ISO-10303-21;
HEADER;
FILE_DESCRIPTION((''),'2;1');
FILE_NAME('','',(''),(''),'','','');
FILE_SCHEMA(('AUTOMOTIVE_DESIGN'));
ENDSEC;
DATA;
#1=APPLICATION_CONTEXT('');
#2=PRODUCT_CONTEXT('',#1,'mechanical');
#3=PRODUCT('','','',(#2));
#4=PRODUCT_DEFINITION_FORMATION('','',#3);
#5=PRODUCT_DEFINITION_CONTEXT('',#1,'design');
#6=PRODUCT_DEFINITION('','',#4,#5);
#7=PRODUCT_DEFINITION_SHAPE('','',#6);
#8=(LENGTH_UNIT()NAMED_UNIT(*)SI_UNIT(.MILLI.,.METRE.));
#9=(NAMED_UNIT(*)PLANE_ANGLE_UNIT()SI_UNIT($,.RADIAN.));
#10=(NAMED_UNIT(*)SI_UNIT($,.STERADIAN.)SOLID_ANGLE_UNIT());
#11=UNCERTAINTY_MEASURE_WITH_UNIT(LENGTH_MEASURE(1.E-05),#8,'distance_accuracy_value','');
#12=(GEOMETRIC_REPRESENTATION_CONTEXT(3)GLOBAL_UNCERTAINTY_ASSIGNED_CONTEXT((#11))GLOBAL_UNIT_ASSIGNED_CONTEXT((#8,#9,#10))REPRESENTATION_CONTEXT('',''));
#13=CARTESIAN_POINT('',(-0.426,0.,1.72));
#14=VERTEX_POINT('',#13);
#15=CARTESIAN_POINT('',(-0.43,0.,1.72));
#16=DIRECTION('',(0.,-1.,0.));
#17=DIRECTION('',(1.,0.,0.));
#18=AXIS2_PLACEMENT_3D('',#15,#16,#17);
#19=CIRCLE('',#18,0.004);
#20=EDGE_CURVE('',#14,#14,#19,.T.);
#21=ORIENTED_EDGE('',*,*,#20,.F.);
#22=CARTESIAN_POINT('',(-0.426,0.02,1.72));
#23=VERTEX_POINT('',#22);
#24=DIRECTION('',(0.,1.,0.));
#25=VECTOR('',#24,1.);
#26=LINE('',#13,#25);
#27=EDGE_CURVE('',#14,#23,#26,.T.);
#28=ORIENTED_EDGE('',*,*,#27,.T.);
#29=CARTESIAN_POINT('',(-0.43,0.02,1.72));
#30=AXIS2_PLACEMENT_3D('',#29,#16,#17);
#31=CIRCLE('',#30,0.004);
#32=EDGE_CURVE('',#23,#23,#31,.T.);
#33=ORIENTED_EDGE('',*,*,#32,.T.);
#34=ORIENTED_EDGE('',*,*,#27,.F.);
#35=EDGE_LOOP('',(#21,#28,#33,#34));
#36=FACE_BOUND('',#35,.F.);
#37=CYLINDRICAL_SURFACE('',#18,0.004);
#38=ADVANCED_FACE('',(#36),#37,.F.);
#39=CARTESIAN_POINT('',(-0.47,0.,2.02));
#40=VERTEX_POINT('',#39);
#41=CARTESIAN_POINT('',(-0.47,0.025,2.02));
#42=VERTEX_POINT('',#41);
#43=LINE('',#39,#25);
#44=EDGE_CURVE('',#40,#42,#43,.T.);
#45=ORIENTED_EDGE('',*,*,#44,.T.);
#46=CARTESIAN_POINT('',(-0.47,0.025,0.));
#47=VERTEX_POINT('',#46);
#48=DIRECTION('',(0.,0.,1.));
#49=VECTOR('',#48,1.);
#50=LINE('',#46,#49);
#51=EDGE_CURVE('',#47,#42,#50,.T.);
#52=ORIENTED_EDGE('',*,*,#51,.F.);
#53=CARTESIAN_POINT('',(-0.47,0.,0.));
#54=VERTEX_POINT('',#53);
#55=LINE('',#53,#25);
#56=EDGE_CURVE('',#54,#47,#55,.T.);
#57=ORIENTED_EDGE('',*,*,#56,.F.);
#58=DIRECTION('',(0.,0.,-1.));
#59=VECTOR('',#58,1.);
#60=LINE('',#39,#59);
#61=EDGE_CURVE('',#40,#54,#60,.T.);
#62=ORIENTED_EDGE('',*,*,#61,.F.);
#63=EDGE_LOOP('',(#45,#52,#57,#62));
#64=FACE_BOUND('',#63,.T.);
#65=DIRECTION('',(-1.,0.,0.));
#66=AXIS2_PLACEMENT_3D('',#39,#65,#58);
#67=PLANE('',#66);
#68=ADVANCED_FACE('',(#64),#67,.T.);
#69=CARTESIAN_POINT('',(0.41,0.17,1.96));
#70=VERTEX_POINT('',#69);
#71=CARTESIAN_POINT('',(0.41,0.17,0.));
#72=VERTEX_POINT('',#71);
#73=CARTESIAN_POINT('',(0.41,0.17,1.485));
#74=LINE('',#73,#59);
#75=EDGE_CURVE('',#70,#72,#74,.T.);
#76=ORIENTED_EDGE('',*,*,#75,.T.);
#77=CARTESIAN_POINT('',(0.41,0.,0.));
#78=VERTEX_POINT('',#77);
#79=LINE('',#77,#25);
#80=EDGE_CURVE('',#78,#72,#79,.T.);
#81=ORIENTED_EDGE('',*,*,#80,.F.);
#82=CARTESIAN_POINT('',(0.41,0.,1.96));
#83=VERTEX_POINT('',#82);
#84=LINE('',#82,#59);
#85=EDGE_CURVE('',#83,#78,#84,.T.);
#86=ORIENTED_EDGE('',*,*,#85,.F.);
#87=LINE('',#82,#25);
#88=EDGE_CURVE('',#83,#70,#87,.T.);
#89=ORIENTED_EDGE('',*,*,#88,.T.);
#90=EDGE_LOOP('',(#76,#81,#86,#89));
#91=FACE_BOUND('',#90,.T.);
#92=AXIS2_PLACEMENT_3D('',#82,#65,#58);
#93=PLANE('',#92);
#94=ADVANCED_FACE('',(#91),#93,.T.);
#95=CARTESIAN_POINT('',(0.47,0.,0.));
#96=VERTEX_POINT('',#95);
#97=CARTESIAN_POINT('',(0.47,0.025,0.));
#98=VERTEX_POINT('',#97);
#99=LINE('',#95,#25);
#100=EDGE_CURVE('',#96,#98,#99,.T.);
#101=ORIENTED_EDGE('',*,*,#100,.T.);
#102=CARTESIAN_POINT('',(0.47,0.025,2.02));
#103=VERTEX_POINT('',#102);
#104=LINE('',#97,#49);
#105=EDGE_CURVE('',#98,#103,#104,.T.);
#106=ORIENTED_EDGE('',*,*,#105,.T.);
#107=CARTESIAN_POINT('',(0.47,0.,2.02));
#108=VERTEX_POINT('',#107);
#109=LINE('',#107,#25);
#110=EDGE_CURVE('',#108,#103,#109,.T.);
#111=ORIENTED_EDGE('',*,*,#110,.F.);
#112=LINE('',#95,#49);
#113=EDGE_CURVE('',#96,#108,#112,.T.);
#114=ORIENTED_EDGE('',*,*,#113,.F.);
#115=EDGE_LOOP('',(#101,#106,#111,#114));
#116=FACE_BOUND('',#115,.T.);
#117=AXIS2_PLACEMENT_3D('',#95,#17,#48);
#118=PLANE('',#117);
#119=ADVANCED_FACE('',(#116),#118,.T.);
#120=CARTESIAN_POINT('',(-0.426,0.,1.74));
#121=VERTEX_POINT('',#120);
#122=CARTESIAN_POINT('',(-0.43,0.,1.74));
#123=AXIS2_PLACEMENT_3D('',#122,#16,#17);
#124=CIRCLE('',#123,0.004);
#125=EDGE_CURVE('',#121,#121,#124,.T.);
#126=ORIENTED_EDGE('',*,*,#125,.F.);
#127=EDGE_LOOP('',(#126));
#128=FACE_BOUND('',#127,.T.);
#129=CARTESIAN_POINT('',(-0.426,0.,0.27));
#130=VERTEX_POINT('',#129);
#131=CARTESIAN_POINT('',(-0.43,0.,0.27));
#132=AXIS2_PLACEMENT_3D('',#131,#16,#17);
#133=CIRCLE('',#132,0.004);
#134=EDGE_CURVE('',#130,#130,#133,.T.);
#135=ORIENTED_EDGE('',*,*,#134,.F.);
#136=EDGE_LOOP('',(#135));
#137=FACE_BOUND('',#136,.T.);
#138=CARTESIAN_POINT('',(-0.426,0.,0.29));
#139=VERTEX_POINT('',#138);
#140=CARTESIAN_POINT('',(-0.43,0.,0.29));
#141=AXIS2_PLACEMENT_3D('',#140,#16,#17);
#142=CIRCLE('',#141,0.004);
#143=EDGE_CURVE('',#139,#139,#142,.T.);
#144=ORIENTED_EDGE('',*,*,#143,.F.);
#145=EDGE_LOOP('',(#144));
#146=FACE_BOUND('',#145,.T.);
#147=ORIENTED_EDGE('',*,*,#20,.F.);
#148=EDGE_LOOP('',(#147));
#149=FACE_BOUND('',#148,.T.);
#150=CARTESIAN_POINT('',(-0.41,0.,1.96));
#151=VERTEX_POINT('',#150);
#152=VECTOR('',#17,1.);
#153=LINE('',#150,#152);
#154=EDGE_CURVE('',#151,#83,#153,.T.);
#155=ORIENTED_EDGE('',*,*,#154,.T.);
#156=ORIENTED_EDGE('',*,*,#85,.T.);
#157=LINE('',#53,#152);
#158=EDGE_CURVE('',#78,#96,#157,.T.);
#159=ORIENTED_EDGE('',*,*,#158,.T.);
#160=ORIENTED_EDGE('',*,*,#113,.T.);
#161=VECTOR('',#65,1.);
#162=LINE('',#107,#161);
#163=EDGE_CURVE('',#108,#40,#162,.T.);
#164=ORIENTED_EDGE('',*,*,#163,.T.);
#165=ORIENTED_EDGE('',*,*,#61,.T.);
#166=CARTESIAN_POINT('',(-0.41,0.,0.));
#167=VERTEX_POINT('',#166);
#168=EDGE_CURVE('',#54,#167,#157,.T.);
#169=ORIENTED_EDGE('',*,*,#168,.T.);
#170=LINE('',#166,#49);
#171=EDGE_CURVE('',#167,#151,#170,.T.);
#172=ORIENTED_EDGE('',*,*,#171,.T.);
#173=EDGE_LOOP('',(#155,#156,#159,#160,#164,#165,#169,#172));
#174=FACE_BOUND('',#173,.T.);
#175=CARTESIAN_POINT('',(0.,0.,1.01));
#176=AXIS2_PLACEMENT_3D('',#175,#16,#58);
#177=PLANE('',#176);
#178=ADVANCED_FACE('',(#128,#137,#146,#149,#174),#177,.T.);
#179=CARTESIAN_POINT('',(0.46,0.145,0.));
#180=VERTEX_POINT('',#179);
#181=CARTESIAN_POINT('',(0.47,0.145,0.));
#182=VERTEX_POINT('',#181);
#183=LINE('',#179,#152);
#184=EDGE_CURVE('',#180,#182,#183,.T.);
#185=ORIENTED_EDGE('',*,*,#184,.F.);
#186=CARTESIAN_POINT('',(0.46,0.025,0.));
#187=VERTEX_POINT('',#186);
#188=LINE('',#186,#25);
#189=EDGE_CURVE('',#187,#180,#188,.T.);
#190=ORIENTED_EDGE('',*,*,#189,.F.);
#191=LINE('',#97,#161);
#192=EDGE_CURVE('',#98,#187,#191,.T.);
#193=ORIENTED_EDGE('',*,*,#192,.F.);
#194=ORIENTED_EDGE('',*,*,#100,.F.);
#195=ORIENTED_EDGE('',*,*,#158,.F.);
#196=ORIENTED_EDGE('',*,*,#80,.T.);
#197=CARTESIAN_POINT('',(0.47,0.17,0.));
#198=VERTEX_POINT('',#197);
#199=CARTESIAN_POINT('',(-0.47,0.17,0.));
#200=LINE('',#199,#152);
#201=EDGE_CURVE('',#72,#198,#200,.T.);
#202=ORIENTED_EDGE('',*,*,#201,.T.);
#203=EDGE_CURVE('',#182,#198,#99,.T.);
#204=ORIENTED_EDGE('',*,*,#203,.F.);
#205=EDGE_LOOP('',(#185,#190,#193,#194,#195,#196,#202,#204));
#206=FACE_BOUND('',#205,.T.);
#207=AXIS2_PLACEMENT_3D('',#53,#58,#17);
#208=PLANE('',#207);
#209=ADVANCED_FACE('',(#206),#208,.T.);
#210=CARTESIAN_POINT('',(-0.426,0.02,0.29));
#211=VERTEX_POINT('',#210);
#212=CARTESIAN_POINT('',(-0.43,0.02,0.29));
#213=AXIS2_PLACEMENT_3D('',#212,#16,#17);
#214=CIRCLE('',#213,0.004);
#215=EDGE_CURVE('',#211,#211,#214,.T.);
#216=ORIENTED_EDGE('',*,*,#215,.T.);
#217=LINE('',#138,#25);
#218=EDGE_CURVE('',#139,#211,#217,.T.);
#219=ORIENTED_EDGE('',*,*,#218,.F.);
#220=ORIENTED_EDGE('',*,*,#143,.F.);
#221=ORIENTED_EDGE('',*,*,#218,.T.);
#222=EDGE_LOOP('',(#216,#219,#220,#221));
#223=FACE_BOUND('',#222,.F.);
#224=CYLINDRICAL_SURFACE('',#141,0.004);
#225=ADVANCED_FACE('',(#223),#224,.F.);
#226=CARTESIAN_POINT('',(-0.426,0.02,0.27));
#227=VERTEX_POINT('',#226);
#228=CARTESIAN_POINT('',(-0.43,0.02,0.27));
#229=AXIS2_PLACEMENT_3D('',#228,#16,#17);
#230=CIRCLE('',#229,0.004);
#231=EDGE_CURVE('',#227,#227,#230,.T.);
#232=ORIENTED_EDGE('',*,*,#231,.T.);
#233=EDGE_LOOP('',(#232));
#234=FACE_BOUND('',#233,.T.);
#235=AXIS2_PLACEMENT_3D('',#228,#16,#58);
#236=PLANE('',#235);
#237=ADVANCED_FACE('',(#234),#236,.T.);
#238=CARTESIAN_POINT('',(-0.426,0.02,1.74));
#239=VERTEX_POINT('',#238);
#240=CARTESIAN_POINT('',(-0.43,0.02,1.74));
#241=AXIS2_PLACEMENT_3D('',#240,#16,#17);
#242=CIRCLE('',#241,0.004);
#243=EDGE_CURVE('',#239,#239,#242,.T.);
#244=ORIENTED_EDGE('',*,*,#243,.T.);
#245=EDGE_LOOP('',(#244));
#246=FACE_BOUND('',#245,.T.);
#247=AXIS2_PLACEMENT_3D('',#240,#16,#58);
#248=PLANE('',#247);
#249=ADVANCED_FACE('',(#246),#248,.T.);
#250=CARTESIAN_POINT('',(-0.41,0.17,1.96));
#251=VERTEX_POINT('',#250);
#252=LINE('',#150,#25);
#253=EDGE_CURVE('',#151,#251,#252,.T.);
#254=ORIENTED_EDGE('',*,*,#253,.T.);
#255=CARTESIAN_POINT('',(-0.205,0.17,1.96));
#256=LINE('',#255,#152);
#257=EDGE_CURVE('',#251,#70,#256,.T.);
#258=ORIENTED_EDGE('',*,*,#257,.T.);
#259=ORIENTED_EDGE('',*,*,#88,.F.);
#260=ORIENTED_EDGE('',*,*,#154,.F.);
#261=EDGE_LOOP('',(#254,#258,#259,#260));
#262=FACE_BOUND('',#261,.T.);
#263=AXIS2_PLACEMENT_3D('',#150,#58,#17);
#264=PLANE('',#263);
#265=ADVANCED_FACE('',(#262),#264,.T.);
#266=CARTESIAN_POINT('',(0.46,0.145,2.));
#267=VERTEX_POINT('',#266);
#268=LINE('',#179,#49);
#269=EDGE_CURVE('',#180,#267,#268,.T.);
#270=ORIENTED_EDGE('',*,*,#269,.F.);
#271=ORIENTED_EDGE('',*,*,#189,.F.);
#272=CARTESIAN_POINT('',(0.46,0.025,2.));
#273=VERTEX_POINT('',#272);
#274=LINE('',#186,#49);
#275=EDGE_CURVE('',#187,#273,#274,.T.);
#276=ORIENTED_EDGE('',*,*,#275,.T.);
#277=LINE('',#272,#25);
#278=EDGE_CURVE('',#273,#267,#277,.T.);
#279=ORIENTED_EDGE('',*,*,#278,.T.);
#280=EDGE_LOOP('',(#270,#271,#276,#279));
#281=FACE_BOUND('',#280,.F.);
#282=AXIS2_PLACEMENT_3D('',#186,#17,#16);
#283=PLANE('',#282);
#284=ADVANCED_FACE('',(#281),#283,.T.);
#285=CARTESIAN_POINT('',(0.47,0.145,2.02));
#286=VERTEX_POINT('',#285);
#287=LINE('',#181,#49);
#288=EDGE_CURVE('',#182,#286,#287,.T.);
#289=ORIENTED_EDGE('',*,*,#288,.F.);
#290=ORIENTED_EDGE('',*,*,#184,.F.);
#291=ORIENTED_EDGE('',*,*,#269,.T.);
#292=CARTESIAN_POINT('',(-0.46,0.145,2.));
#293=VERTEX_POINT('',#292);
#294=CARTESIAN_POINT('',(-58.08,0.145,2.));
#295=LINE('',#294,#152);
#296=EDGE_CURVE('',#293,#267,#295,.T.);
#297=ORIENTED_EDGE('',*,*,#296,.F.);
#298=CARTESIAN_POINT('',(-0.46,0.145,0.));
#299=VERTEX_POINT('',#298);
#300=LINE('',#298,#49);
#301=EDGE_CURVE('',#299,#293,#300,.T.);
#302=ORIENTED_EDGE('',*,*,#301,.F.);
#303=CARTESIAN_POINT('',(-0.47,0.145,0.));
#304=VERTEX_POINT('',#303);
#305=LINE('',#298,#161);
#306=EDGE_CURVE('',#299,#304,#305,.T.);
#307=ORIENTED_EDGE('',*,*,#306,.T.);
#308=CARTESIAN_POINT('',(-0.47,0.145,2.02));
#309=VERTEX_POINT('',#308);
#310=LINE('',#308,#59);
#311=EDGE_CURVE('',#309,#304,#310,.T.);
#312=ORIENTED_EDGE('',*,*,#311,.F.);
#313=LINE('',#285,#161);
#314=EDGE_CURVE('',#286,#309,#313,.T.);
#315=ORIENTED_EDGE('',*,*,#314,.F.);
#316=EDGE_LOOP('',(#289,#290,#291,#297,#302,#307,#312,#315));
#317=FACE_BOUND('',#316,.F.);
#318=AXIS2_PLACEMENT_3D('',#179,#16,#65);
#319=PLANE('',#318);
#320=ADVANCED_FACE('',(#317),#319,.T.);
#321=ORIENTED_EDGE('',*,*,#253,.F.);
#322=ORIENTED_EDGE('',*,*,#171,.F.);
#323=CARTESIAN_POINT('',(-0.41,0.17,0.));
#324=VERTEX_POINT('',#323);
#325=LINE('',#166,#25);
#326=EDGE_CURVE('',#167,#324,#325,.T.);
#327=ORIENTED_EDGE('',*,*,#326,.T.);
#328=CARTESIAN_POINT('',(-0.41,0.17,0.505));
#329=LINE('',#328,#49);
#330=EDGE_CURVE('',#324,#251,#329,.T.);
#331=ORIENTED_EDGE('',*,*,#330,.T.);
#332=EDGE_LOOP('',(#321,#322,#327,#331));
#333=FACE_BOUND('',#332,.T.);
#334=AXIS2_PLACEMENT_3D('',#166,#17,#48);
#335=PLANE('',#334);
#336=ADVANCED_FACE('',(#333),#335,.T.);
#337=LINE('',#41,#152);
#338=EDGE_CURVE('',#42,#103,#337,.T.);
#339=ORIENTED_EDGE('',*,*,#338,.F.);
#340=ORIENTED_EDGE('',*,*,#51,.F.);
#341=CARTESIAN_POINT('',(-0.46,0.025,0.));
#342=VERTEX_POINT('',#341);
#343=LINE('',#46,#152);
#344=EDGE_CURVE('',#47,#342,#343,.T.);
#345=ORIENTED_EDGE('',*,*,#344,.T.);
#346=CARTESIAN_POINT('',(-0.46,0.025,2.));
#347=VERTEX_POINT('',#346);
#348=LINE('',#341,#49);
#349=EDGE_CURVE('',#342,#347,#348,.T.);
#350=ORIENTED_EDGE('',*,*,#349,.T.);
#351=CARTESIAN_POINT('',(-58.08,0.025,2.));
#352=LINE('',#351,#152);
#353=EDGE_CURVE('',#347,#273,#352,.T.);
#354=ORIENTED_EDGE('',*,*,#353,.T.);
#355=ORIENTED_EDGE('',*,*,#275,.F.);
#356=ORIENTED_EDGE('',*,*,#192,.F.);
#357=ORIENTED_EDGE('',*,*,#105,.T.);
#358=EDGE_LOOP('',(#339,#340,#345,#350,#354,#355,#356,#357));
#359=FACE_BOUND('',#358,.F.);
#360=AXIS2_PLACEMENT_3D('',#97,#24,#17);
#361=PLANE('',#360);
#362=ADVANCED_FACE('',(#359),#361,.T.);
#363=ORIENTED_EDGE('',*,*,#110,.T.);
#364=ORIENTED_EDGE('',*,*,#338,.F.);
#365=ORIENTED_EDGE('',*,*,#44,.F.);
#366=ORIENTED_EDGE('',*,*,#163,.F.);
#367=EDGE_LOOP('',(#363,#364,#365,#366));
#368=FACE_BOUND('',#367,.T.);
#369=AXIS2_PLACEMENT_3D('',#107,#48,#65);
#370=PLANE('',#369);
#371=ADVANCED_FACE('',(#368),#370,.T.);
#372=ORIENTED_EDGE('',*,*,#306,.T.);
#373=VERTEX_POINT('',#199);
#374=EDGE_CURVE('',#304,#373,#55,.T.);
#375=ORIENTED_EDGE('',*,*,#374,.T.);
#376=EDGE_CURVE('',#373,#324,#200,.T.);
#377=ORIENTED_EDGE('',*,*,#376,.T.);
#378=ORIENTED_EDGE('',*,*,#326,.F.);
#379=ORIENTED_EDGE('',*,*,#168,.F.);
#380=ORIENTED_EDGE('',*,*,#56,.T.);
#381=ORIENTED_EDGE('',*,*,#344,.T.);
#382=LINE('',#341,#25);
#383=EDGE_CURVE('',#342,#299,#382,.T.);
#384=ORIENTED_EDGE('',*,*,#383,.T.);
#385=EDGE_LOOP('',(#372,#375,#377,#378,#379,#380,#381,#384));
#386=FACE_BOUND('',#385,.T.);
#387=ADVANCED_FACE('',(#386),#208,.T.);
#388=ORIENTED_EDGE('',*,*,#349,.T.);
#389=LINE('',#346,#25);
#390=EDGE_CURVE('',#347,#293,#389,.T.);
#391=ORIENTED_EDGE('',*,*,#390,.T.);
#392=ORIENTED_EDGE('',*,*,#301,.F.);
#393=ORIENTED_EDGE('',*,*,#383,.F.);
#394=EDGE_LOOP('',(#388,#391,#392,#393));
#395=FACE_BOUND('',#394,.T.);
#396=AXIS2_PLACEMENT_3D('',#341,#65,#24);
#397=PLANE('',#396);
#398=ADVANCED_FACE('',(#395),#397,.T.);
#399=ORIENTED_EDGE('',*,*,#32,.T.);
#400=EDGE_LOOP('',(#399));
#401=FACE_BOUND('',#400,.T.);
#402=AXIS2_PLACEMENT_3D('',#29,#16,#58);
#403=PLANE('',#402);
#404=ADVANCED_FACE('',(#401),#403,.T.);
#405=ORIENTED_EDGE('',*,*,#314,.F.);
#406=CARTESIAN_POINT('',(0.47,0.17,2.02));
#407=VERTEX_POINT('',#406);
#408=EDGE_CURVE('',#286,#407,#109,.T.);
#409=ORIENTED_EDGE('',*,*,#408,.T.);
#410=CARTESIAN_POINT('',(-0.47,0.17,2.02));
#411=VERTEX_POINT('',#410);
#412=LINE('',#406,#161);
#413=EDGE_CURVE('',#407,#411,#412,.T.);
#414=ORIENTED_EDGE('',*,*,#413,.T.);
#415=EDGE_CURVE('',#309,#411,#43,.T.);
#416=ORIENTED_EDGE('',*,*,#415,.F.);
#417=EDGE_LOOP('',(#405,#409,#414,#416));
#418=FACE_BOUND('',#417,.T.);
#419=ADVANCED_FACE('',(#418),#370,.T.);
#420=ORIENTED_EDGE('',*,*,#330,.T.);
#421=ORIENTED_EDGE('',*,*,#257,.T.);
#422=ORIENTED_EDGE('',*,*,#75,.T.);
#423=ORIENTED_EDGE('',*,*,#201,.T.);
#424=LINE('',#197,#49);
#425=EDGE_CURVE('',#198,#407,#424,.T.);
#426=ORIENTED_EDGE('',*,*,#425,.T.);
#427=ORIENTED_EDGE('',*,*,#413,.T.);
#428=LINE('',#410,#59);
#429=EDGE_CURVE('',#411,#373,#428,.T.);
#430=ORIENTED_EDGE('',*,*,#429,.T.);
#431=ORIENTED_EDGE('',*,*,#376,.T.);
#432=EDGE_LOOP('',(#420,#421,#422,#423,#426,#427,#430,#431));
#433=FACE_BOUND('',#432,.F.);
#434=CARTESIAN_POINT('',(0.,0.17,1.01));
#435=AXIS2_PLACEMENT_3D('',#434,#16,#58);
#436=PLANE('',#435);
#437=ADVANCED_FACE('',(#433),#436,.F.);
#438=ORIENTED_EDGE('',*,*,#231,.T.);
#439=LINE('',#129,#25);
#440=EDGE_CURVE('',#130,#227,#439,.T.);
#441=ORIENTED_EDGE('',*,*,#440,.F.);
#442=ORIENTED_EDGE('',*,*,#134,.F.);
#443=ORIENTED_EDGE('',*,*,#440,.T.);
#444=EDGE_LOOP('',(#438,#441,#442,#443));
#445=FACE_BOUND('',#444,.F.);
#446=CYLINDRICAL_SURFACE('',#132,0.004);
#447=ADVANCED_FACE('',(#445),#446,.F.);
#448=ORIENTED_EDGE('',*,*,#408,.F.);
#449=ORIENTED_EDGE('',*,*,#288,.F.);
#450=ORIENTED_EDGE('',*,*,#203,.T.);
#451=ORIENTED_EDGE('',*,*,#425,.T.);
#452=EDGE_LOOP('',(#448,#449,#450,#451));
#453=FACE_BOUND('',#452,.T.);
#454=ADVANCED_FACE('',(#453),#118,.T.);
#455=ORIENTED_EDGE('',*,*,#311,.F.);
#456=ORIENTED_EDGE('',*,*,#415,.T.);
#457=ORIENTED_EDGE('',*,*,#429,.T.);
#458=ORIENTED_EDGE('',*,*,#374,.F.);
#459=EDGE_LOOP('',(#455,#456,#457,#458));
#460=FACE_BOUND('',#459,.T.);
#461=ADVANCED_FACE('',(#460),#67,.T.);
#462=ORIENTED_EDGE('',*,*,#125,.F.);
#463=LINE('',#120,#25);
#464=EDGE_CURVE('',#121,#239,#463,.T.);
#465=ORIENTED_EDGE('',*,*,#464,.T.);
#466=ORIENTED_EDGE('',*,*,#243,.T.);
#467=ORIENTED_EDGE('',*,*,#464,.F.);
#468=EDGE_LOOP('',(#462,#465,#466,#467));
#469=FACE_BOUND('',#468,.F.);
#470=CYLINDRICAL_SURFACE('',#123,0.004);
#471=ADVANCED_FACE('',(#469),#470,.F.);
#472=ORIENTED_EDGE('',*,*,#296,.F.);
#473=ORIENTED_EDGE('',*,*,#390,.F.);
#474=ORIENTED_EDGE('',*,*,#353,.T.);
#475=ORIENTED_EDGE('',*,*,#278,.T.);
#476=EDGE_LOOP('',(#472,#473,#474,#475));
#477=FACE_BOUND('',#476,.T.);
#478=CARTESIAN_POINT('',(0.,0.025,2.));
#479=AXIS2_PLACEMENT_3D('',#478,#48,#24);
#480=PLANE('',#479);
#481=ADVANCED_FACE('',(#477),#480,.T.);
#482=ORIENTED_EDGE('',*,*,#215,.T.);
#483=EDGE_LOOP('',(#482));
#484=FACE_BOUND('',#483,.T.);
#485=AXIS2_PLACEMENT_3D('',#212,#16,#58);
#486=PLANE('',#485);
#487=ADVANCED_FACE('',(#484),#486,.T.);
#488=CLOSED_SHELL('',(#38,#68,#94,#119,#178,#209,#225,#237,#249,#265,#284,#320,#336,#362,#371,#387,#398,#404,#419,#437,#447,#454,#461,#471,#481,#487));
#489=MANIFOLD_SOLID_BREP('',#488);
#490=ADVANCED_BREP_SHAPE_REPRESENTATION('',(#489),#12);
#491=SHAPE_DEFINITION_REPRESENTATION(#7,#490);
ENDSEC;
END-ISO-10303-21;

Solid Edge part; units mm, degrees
sketch "Sketch1" plane through (0, 0, 0) normal (0, -1, 0) x (1, 0, 0)
  line L0 (-0.47, 0) -> (0.47, 0)
  line L1 (0.47, 0) -> (0.47, 2.02)
  line L2 (0.47, 2.02) -> (-0.47, 2.02)
  line L3 (-0.47, 2.02) -> (-0.47, 0)
  dimension "D1" = 2.02
  dimension "D2" = 0.94
extrude "Protrusion1" add sketch "Sketch1" against normal blind 0.17
sketch "Sketch2" plane through (0, 0.085, 0) normal (0, 0, -1) x (1, 0, 0)
  line L0 (-0.47, -0.06) -> (-0.47, 0.06)
  line L1 (-0.47, 0.06) -> (-0.46, 0.06)
  line L2 (-0.46, 0.06) -> (-0.46, -0.06)
  line L3 (-0.46, -0.06) -> (-0.47, -0.06)
  dimension "D1" = 0.12
  dimension "D2" = 0.01
extrude "Cutout1" cut sketch "Sketch2" against normal through all
mirror "Mirror1" about plane through (0, 0, 0) normal (1, 0, 0) of "Cutout1"
sketch "Sketch3" plane through (0, 0, 0) normal (1, 0, 0) x (0, 1, 0)
  line L0 (0.025, 2.02) -> (0.025, 2)
  line L1 (0.025, 2) -> (0.145, 2)
  line L2 (0.145, 2.02) -> (0.145, 2)
  line L3 (0.145, 2.02) -> (0.025, 2.02)
  dimension "D1" = 0.02
extrude "Cutout3" cut sketch "Sketch3" along normal through all and the other way through all
sketch "Sketch4" plane through (0, 0, 1.01) normal (0, -1, 0) x (1, 0, 0)
  line L0 (-0.41, -1.01) -> (0.41, -1.01)
  line L1 (0.41, 0.95) -> (0.41, -1.01)
  line L2 (-0.41, 0.95) -> (0.41, 0.95)
  line L3 (-0.41, -1.01) -> (-0.41, 0.95)
  dimension "D1" = 0.82
  dimension "D2" = 1.96
extrude "Cutout4" cut sketch "Sketch4" against normal through all
sketch "Sketch5" plane through (0, 0, 1.01) normal (0, -1, 0) x (1, 0, 0)
  circle A0 centre (-0.43, -0.72) radius 0.004
  circle A1 centre (-0.43, 0.71) radius 0.004
  circle A2 centre (-0.43, 0.73) radius 0.004
  circle A3 centre (-0.43, -0.74) radius 0.004
  dimension "D1" = 0.008
  dimension "D2" = 0.27
  dimension "D3" = 0.02
  dimension "D4" = 1.45
  dimension "D5" = 0.02
extrude "Ausschnitt_5" cut sketch "Sketch5" against normal blind 0.02
